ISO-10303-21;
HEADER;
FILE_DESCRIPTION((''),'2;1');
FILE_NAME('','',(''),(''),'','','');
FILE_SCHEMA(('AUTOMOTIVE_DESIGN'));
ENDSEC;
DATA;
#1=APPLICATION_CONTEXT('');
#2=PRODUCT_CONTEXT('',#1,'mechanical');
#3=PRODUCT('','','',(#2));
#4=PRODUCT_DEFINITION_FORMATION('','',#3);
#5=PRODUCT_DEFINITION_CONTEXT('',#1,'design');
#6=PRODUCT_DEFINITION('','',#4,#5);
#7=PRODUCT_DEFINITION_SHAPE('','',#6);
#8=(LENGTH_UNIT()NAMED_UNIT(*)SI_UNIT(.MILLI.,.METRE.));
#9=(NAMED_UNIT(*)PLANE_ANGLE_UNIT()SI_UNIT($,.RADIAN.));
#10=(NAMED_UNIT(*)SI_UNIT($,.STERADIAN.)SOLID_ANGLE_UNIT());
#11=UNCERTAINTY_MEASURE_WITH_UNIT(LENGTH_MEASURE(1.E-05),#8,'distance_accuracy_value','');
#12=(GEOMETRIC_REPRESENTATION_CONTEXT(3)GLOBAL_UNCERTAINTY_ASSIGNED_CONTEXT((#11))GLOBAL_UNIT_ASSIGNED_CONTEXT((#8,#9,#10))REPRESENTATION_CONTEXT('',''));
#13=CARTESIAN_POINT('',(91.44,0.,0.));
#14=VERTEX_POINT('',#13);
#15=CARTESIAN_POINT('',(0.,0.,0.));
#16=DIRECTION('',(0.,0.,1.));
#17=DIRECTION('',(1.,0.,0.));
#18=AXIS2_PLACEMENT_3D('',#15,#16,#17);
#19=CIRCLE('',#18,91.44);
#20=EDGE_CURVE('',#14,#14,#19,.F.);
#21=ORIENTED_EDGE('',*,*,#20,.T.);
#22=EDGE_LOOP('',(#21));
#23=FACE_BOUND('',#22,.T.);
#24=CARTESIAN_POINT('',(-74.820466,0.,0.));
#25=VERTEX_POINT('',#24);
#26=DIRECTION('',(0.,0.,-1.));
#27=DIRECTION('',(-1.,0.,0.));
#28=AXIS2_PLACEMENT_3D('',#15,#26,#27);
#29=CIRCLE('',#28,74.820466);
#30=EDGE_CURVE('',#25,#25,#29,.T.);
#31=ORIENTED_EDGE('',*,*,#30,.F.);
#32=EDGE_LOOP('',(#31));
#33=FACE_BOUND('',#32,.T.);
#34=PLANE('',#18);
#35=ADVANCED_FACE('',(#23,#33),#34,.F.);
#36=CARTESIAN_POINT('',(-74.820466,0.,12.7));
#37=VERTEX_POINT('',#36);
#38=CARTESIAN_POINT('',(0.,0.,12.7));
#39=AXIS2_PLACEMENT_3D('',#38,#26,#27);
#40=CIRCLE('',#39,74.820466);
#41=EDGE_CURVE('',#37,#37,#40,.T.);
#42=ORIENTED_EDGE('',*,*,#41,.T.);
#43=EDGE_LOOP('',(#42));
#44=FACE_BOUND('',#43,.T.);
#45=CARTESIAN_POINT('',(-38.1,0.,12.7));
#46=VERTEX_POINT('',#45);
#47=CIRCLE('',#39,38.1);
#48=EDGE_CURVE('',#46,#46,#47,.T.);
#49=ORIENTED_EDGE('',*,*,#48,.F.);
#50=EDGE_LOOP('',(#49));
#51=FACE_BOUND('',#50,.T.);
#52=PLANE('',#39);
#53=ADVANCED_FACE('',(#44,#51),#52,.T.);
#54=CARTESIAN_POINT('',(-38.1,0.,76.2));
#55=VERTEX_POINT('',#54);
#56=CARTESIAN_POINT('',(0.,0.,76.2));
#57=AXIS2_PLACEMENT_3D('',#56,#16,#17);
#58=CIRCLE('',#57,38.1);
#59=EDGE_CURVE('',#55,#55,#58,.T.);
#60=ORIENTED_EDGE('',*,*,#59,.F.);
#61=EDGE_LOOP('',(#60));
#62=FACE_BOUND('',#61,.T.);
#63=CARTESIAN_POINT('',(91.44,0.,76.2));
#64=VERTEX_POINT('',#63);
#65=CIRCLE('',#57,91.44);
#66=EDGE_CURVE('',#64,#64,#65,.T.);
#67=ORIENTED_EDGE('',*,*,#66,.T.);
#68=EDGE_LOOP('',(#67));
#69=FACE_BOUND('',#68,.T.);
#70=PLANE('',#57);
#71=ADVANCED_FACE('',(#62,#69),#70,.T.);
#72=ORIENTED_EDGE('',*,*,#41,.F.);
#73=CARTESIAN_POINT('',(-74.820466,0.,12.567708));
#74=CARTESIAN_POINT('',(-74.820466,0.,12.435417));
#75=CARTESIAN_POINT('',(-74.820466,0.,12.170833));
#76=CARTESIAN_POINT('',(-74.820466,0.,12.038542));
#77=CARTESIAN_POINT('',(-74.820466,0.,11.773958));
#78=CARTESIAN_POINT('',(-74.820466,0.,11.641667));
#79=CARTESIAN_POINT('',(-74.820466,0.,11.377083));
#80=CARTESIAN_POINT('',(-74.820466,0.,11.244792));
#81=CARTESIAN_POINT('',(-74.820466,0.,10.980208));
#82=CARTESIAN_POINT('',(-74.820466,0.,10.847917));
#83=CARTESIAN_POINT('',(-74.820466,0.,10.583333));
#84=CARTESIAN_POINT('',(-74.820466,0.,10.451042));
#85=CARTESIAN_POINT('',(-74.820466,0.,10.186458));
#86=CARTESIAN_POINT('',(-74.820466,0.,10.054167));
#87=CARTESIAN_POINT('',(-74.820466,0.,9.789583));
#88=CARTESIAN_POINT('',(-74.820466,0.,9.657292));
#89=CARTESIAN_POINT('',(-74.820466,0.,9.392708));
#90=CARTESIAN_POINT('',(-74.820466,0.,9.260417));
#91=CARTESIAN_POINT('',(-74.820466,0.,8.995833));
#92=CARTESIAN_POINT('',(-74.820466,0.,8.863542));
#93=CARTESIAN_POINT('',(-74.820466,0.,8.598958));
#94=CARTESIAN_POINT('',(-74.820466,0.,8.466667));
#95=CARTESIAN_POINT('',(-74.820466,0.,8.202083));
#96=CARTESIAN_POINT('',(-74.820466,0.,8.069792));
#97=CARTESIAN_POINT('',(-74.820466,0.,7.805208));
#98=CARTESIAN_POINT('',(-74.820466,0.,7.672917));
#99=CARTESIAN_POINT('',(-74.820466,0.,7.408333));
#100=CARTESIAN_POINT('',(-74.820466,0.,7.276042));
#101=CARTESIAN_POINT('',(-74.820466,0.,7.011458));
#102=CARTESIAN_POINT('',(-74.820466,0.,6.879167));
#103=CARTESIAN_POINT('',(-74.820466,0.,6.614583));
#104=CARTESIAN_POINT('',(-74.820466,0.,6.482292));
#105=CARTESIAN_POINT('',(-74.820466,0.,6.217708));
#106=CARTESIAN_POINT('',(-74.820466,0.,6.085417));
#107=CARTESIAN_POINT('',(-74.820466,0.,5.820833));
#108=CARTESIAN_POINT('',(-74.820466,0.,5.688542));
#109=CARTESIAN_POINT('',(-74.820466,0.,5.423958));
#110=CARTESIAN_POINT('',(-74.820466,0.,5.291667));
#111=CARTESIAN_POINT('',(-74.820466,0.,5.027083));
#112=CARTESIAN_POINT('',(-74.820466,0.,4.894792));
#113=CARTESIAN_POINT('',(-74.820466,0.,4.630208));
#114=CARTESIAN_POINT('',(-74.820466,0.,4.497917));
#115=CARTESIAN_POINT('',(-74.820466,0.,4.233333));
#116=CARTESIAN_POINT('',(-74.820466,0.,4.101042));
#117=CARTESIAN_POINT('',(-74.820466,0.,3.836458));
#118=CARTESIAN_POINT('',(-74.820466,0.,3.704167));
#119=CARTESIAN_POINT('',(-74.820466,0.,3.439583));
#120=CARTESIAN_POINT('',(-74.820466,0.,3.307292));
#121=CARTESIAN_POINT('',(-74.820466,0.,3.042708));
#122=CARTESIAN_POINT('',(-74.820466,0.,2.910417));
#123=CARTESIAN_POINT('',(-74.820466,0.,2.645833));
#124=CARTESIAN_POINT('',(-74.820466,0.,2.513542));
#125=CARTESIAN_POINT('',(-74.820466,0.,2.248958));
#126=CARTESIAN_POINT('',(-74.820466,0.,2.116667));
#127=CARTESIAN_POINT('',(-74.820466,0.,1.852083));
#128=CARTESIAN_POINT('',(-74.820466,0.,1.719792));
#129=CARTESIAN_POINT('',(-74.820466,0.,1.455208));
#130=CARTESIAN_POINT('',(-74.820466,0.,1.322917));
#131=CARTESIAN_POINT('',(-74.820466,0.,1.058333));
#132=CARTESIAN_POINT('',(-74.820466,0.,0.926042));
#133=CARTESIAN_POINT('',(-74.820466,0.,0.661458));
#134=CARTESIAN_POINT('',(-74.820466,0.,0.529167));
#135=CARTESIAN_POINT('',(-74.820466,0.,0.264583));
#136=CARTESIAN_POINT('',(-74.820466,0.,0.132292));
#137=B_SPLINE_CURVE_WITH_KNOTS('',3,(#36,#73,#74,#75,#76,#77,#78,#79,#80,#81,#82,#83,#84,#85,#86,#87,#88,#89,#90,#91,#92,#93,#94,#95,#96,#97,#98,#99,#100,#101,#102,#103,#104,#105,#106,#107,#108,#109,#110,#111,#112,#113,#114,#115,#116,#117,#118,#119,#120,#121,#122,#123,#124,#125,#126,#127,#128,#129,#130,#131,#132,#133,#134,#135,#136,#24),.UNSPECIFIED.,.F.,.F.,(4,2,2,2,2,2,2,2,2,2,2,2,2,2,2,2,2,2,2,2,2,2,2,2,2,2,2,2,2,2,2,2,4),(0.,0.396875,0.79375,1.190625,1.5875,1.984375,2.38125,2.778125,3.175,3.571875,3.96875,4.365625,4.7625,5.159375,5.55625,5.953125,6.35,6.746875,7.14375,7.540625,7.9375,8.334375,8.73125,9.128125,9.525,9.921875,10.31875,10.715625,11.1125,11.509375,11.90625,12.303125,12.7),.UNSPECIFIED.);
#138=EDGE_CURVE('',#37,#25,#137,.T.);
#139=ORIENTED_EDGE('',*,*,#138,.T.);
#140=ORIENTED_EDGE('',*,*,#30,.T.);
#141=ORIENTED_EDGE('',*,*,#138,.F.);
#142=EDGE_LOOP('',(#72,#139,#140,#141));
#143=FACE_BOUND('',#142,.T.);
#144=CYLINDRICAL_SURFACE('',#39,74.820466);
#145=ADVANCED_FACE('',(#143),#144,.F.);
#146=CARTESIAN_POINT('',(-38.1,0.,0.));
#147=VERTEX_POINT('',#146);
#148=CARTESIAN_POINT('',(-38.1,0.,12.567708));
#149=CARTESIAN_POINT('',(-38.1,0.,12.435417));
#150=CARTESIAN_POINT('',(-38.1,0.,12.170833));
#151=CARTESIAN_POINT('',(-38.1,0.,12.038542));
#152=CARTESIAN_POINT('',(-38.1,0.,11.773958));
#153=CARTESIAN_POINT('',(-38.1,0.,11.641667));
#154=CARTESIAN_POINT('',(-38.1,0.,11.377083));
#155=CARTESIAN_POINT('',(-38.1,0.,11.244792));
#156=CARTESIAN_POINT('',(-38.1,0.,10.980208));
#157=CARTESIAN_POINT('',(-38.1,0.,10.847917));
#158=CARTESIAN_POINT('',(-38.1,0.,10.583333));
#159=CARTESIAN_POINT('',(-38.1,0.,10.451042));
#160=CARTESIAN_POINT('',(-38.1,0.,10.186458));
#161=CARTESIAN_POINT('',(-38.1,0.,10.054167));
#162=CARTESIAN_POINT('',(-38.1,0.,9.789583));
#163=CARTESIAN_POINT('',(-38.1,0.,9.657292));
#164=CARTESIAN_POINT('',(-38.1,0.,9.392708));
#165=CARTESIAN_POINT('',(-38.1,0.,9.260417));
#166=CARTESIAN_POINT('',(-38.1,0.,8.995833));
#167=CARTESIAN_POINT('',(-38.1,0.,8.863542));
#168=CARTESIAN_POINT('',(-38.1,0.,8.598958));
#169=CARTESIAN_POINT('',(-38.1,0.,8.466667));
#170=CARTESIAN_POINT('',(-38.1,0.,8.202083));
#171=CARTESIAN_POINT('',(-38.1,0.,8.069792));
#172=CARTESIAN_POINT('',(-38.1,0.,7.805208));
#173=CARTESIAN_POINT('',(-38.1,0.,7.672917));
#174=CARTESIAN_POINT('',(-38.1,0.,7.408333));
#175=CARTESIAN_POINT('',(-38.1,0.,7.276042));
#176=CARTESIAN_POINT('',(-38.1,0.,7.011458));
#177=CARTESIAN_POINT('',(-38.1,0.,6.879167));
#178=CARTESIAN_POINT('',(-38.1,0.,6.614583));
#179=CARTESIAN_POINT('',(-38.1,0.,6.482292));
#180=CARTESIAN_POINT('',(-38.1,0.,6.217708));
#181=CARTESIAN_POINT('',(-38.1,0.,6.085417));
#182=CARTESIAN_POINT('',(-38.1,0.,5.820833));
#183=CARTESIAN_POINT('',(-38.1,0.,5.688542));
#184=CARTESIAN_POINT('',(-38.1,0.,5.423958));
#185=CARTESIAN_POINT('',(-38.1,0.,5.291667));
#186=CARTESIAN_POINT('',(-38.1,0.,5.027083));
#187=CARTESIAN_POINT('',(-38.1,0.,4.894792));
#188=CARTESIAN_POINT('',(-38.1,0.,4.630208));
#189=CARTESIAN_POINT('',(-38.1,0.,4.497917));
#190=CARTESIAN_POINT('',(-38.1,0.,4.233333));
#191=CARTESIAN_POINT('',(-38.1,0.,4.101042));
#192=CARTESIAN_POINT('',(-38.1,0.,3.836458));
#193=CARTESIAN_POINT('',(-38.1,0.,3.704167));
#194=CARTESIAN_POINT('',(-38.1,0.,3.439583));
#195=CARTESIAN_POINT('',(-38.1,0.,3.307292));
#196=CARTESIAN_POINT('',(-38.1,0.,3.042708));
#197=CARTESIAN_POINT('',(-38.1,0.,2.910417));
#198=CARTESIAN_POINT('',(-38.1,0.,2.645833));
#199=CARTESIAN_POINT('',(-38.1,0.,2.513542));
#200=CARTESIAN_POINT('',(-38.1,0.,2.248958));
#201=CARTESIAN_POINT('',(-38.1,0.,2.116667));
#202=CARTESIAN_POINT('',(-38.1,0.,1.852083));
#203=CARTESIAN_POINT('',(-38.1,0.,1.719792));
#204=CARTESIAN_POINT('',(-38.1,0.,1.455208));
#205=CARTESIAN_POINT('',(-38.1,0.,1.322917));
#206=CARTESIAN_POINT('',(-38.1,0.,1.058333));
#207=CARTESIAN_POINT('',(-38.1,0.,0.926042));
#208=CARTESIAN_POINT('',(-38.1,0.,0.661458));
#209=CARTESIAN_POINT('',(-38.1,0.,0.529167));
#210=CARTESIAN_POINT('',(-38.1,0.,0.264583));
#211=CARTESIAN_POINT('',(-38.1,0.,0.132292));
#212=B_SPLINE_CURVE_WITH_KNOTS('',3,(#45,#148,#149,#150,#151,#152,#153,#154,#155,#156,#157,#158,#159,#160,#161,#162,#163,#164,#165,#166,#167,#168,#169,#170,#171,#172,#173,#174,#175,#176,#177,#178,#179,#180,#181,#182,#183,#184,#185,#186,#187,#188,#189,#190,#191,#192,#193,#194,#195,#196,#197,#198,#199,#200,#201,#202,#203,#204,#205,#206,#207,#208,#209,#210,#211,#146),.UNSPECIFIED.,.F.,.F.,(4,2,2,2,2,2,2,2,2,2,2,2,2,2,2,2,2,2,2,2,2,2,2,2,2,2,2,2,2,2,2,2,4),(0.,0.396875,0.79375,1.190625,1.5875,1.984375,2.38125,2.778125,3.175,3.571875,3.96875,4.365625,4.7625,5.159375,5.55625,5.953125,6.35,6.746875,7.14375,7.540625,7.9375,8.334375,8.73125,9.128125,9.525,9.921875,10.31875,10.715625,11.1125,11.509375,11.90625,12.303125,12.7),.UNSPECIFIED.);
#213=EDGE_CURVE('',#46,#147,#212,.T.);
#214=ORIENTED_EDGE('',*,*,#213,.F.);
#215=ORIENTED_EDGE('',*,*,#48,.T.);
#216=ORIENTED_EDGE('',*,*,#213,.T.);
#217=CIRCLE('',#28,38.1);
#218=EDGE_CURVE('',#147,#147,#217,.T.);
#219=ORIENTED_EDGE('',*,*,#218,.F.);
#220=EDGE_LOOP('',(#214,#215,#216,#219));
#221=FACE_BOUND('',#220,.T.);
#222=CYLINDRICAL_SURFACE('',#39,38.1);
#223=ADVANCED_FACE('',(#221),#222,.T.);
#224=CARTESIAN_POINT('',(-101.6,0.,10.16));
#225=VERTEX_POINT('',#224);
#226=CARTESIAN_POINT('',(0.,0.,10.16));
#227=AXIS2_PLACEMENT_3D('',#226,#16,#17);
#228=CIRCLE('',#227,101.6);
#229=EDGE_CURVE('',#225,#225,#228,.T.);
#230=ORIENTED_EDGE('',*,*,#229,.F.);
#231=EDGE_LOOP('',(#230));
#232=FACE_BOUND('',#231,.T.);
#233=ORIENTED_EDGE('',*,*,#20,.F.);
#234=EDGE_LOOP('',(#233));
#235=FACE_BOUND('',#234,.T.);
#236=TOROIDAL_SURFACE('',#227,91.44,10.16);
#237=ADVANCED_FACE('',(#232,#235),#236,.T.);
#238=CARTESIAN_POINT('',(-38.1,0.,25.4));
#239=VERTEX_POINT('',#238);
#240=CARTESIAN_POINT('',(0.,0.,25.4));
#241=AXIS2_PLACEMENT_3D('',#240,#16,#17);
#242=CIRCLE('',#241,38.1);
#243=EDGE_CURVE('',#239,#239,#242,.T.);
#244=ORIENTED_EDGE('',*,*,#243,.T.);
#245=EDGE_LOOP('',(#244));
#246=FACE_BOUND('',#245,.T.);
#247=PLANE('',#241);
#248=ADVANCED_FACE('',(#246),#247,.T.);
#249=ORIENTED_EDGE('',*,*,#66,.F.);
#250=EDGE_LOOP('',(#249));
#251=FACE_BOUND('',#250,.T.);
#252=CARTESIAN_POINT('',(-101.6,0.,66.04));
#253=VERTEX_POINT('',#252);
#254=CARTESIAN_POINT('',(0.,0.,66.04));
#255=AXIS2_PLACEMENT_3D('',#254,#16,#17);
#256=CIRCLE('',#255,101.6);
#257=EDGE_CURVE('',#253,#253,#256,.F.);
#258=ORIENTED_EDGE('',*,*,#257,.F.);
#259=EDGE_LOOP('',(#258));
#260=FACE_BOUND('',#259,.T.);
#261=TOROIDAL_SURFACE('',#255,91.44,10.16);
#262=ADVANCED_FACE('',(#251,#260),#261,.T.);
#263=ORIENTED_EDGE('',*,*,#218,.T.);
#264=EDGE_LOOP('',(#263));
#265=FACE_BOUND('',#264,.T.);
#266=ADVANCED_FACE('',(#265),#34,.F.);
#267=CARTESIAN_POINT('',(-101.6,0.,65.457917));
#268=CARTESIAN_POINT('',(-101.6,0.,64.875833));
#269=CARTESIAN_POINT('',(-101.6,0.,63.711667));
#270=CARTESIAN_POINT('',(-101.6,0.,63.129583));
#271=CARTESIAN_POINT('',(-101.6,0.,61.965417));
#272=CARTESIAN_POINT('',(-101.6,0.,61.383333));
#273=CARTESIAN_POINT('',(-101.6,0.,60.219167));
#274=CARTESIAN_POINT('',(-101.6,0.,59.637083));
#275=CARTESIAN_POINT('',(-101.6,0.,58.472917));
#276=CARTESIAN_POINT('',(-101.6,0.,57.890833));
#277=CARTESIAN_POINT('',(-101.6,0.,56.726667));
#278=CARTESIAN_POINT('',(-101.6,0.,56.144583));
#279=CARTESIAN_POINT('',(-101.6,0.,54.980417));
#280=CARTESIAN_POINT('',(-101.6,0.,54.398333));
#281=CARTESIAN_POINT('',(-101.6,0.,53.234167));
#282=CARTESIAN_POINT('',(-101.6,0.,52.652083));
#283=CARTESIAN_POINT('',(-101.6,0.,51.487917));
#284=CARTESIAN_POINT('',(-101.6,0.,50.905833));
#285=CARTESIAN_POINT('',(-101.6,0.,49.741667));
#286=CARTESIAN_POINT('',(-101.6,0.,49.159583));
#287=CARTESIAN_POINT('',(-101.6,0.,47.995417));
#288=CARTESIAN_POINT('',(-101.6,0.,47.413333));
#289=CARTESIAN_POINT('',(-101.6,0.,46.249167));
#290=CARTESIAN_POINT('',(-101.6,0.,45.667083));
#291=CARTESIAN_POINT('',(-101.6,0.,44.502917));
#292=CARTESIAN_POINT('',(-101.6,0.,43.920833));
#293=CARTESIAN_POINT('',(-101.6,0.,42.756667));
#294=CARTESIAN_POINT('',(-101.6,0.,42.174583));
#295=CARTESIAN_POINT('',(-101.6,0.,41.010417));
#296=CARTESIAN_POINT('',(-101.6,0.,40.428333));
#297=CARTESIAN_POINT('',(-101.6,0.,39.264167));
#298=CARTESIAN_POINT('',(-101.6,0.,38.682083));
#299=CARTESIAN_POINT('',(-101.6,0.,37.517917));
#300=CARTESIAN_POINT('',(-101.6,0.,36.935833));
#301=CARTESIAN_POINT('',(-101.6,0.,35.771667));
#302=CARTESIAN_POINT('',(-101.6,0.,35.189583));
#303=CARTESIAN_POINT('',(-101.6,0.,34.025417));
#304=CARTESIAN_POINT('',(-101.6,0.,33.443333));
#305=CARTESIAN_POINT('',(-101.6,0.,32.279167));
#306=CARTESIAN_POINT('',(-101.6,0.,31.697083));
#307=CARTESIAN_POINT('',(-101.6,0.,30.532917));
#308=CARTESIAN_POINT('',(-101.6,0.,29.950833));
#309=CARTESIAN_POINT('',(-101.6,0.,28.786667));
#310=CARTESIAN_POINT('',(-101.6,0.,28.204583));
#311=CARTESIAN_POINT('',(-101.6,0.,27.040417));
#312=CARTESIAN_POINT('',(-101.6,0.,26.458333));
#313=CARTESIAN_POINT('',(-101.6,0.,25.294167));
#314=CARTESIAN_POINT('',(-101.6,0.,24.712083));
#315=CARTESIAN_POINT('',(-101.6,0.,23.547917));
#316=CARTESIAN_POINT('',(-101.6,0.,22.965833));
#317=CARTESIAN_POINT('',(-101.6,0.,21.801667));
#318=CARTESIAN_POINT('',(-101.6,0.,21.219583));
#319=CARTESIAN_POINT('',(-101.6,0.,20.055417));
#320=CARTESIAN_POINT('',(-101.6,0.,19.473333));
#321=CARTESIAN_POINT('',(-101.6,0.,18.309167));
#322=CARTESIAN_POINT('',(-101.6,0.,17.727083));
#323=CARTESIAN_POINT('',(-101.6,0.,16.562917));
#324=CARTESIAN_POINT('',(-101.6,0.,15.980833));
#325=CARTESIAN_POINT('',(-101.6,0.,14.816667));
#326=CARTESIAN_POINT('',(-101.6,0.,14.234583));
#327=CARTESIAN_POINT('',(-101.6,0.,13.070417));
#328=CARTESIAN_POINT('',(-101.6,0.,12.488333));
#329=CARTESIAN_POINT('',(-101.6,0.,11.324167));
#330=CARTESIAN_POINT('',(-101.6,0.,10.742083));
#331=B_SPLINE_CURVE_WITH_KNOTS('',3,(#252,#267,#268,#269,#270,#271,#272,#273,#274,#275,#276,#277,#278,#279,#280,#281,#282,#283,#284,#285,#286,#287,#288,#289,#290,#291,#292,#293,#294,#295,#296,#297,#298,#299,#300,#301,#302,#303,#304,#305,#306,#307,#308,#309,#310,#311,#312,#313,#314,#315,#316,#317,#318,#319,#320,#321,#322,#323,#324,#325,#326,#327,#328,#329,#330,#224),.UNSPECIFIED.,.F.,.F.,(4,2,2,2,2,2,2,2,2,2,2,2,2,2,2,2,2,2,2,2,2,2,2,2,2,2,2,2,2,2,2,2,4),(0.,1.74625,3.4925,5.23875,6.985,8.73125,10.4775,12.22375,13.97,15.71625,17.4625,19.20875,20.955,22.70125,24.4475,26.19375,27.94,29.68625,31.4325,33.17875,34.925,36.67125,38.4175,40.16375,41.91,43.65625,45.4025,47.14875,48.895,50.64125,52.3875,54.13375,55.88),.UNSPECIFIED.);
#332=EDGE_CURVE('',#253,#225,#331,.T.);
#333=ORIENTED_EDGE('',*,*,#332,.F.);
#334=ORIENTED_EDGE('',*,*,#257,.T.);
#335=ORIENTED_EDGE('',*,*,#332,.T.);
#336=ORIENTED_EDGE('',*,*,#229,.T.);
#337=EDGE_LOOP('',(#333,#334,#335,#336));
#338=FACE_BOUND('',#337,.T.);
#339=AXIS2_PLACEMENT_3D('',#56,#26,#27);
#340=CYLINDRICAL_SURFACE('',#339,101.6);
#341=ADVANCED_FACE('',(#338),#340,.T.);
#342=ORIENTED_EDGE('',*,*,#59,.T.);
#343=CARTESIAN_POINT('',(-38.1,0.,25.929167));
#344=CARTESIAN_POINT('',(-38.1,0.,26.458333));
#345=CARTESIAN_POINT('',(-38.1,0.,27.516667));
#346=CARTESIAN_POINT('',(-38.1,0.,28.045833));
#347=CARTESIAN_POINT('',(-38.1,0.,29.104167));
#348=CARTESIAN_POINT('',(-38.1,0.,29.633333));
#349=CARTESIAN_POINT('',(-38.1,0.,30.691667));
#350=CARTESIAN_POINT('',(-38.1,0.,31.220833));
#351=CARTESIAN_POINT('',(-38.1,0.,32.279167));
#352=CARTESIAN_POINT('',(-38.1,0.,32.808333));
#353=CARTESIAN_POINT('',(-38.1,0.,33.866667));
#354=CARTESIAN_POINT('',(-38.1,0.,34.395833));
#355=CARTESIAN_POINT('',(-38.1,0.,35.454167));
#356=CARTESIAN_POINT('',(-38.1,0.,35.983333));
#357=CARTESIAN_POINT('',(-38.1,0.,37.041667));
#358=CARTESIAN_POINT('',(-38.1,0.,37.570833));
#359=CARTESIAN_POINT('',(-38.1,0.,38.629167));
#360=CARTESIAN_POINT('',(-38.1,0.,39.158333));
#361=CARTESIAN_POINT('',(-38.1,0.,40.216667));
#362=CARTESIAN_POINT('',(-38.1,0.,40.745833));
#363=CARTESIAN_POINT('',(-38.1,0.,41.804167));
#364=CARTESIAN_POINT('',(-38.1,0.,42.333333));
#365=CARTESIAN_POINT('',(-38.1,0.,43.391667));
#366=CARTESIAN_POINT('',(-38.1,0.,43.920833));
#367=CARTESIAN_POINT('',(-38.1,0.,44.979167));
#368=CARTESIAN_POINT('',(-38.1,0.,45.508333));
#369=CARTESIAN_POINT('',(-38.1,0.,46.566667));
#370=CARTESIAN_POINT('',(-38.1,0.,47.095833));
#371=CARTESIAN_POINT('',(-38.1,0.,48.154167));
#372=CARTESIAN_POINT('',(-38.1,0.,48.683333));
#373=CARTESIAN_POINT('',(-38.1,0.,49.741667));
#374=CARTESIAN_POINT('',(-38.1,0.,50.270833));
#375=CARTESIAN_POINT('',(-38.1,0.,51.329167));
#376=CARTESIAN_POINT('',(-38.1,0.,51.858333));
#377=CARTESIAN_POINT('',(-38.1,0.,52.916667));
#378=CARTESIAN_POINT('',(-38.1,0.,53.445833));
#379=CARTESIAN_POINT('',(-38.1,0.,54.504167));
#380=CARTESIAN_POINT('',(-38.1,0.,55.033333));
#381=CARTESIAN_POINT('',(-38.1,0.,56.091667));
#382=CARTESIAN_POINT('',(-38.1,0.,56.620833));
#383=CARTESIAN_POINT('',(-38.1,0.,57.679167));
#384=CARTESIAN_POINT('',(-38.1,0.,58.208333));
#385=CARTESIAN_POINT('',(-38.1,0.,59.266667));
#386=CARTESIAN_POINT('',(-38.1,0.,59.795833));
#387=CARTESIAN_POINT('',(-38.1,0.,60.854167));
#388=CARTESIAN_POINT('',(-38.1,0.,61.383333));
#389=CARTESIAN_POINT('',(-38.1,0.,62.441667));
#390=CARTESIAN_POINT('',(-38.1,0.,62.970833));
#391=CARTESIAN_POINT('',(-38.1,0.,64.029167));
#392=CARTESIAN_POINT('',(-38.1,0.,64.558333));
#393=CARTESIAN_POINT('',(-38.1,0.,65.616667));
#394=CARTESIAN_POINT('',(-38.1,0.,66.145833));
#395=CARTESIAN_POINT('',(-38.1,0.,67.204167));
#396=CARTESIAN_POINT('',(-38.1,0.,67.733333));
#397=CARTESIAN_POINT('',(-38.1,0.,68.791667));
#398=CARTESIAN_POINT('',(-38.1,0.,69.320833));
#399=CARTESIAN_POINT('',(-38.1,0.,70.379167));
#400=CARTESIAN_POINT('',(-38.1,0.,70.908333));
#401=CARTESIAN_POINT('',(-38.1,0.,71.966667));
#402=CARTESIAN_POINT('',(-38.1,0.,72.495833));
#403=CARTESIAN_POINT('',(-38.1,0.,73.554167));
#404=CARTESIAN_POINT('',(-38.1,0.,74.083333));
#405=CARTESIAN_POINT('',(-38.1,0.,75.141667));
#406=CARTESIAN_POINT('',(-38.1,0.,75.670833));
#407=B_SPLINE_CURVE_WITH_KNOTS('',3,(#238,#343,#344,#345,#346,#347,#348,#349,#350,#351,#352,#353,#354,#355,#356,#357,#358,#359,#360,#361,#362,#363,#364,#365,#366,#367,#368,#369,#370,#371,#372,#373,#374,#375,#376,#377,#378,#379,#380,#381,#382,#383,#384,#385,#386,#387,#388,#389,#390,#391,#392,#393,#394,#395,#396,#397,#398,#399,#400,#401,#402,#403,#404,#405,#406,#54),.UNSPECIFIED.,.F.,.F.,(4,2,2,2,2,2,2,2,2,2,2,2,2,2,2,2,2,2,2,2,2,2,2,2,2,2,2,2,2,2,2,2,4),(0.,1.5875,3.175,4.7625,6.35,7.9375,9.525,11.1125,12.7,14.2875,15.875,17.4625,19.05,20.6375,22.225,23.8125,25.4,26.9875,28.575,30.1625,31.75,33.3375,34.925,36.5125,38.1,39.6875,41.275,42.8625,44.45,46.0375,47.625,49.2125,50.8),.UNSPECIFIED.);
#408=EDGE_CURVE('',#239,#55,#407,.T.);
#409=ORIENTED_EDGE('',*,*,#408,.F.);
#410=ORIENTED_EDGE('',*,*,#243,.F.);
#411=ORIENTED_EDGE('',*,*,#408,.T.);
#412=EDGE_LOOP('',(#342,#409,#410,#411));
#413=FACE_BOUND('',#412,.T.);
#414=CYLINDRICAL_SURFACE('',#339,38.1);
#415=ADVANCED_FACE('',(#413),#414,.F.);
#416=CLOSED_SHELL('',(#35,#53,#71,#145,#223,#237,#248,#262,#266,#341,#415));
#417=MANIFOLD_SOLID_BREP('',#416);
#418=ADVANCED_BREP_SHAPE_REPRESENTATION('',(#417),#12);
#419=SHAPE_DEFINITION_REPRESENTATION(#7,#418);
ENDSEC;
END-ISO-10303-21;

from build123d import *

# Parameters (mm, degrees)
SKETCH1_R           = 101.6
SKETCH1_R_2         = 38.1
BOSS_EXTRUDE7_DEPTH = 76.2
SKETCH1_11_R        = 38.1
BOSS_EXTRUDE9_DEPTH = 25.4
FILLET1_R           = 10.16
SKETCH2_R           = 74.820465974
SKETCH2_R_2         = 38.1
CUT_EXTRUDE1_DEPTH  = 12.7


with BuildPart() as part:
    # Sketch1 → Boss-Extrude7 (new body)
    with BuildSketch(Plane.XY):
        Circle(SKETCH1_R)
        Circle(SKETCH1_R_2, mode=Mode.SUBTRACT)
    extrude(amount=BOSS_EXTRUDE7_DEPTH)

    # Sketch1<11> → Boss-Extrude9 (add)
    with BuildSketch(Plane.XY):
        Circle(SKETCH1_11_R)
    extrude(amount=BOSS_EXTRUDE9_DEPTH)

    # Fillet1
    fillet1_edges = [part.edges().sort_by_distance(p)[0] for p in [
        (-101.6, 0, 76.2),
        (-101.6, 0, 0),
    ]]
    fillet(fillet1_edges, radius=FILLET1_R)

    # Sketch2 → Cut-Extrude1 (cut)
    with BuildSketch(Plane(origin=(0, 0, 0), x_dir=(-1, 0, 0), z_dir=(0, 0, -1))):
        Circle(SKETCH2_R)
        Circle(SKETCH2_R_2, mode=Mode.SUBTRACT)
    extrude(amount=-CUT_EXTRUDE1_DEPTH, mode=Mode.SUBTRACT)


solid = part.part
